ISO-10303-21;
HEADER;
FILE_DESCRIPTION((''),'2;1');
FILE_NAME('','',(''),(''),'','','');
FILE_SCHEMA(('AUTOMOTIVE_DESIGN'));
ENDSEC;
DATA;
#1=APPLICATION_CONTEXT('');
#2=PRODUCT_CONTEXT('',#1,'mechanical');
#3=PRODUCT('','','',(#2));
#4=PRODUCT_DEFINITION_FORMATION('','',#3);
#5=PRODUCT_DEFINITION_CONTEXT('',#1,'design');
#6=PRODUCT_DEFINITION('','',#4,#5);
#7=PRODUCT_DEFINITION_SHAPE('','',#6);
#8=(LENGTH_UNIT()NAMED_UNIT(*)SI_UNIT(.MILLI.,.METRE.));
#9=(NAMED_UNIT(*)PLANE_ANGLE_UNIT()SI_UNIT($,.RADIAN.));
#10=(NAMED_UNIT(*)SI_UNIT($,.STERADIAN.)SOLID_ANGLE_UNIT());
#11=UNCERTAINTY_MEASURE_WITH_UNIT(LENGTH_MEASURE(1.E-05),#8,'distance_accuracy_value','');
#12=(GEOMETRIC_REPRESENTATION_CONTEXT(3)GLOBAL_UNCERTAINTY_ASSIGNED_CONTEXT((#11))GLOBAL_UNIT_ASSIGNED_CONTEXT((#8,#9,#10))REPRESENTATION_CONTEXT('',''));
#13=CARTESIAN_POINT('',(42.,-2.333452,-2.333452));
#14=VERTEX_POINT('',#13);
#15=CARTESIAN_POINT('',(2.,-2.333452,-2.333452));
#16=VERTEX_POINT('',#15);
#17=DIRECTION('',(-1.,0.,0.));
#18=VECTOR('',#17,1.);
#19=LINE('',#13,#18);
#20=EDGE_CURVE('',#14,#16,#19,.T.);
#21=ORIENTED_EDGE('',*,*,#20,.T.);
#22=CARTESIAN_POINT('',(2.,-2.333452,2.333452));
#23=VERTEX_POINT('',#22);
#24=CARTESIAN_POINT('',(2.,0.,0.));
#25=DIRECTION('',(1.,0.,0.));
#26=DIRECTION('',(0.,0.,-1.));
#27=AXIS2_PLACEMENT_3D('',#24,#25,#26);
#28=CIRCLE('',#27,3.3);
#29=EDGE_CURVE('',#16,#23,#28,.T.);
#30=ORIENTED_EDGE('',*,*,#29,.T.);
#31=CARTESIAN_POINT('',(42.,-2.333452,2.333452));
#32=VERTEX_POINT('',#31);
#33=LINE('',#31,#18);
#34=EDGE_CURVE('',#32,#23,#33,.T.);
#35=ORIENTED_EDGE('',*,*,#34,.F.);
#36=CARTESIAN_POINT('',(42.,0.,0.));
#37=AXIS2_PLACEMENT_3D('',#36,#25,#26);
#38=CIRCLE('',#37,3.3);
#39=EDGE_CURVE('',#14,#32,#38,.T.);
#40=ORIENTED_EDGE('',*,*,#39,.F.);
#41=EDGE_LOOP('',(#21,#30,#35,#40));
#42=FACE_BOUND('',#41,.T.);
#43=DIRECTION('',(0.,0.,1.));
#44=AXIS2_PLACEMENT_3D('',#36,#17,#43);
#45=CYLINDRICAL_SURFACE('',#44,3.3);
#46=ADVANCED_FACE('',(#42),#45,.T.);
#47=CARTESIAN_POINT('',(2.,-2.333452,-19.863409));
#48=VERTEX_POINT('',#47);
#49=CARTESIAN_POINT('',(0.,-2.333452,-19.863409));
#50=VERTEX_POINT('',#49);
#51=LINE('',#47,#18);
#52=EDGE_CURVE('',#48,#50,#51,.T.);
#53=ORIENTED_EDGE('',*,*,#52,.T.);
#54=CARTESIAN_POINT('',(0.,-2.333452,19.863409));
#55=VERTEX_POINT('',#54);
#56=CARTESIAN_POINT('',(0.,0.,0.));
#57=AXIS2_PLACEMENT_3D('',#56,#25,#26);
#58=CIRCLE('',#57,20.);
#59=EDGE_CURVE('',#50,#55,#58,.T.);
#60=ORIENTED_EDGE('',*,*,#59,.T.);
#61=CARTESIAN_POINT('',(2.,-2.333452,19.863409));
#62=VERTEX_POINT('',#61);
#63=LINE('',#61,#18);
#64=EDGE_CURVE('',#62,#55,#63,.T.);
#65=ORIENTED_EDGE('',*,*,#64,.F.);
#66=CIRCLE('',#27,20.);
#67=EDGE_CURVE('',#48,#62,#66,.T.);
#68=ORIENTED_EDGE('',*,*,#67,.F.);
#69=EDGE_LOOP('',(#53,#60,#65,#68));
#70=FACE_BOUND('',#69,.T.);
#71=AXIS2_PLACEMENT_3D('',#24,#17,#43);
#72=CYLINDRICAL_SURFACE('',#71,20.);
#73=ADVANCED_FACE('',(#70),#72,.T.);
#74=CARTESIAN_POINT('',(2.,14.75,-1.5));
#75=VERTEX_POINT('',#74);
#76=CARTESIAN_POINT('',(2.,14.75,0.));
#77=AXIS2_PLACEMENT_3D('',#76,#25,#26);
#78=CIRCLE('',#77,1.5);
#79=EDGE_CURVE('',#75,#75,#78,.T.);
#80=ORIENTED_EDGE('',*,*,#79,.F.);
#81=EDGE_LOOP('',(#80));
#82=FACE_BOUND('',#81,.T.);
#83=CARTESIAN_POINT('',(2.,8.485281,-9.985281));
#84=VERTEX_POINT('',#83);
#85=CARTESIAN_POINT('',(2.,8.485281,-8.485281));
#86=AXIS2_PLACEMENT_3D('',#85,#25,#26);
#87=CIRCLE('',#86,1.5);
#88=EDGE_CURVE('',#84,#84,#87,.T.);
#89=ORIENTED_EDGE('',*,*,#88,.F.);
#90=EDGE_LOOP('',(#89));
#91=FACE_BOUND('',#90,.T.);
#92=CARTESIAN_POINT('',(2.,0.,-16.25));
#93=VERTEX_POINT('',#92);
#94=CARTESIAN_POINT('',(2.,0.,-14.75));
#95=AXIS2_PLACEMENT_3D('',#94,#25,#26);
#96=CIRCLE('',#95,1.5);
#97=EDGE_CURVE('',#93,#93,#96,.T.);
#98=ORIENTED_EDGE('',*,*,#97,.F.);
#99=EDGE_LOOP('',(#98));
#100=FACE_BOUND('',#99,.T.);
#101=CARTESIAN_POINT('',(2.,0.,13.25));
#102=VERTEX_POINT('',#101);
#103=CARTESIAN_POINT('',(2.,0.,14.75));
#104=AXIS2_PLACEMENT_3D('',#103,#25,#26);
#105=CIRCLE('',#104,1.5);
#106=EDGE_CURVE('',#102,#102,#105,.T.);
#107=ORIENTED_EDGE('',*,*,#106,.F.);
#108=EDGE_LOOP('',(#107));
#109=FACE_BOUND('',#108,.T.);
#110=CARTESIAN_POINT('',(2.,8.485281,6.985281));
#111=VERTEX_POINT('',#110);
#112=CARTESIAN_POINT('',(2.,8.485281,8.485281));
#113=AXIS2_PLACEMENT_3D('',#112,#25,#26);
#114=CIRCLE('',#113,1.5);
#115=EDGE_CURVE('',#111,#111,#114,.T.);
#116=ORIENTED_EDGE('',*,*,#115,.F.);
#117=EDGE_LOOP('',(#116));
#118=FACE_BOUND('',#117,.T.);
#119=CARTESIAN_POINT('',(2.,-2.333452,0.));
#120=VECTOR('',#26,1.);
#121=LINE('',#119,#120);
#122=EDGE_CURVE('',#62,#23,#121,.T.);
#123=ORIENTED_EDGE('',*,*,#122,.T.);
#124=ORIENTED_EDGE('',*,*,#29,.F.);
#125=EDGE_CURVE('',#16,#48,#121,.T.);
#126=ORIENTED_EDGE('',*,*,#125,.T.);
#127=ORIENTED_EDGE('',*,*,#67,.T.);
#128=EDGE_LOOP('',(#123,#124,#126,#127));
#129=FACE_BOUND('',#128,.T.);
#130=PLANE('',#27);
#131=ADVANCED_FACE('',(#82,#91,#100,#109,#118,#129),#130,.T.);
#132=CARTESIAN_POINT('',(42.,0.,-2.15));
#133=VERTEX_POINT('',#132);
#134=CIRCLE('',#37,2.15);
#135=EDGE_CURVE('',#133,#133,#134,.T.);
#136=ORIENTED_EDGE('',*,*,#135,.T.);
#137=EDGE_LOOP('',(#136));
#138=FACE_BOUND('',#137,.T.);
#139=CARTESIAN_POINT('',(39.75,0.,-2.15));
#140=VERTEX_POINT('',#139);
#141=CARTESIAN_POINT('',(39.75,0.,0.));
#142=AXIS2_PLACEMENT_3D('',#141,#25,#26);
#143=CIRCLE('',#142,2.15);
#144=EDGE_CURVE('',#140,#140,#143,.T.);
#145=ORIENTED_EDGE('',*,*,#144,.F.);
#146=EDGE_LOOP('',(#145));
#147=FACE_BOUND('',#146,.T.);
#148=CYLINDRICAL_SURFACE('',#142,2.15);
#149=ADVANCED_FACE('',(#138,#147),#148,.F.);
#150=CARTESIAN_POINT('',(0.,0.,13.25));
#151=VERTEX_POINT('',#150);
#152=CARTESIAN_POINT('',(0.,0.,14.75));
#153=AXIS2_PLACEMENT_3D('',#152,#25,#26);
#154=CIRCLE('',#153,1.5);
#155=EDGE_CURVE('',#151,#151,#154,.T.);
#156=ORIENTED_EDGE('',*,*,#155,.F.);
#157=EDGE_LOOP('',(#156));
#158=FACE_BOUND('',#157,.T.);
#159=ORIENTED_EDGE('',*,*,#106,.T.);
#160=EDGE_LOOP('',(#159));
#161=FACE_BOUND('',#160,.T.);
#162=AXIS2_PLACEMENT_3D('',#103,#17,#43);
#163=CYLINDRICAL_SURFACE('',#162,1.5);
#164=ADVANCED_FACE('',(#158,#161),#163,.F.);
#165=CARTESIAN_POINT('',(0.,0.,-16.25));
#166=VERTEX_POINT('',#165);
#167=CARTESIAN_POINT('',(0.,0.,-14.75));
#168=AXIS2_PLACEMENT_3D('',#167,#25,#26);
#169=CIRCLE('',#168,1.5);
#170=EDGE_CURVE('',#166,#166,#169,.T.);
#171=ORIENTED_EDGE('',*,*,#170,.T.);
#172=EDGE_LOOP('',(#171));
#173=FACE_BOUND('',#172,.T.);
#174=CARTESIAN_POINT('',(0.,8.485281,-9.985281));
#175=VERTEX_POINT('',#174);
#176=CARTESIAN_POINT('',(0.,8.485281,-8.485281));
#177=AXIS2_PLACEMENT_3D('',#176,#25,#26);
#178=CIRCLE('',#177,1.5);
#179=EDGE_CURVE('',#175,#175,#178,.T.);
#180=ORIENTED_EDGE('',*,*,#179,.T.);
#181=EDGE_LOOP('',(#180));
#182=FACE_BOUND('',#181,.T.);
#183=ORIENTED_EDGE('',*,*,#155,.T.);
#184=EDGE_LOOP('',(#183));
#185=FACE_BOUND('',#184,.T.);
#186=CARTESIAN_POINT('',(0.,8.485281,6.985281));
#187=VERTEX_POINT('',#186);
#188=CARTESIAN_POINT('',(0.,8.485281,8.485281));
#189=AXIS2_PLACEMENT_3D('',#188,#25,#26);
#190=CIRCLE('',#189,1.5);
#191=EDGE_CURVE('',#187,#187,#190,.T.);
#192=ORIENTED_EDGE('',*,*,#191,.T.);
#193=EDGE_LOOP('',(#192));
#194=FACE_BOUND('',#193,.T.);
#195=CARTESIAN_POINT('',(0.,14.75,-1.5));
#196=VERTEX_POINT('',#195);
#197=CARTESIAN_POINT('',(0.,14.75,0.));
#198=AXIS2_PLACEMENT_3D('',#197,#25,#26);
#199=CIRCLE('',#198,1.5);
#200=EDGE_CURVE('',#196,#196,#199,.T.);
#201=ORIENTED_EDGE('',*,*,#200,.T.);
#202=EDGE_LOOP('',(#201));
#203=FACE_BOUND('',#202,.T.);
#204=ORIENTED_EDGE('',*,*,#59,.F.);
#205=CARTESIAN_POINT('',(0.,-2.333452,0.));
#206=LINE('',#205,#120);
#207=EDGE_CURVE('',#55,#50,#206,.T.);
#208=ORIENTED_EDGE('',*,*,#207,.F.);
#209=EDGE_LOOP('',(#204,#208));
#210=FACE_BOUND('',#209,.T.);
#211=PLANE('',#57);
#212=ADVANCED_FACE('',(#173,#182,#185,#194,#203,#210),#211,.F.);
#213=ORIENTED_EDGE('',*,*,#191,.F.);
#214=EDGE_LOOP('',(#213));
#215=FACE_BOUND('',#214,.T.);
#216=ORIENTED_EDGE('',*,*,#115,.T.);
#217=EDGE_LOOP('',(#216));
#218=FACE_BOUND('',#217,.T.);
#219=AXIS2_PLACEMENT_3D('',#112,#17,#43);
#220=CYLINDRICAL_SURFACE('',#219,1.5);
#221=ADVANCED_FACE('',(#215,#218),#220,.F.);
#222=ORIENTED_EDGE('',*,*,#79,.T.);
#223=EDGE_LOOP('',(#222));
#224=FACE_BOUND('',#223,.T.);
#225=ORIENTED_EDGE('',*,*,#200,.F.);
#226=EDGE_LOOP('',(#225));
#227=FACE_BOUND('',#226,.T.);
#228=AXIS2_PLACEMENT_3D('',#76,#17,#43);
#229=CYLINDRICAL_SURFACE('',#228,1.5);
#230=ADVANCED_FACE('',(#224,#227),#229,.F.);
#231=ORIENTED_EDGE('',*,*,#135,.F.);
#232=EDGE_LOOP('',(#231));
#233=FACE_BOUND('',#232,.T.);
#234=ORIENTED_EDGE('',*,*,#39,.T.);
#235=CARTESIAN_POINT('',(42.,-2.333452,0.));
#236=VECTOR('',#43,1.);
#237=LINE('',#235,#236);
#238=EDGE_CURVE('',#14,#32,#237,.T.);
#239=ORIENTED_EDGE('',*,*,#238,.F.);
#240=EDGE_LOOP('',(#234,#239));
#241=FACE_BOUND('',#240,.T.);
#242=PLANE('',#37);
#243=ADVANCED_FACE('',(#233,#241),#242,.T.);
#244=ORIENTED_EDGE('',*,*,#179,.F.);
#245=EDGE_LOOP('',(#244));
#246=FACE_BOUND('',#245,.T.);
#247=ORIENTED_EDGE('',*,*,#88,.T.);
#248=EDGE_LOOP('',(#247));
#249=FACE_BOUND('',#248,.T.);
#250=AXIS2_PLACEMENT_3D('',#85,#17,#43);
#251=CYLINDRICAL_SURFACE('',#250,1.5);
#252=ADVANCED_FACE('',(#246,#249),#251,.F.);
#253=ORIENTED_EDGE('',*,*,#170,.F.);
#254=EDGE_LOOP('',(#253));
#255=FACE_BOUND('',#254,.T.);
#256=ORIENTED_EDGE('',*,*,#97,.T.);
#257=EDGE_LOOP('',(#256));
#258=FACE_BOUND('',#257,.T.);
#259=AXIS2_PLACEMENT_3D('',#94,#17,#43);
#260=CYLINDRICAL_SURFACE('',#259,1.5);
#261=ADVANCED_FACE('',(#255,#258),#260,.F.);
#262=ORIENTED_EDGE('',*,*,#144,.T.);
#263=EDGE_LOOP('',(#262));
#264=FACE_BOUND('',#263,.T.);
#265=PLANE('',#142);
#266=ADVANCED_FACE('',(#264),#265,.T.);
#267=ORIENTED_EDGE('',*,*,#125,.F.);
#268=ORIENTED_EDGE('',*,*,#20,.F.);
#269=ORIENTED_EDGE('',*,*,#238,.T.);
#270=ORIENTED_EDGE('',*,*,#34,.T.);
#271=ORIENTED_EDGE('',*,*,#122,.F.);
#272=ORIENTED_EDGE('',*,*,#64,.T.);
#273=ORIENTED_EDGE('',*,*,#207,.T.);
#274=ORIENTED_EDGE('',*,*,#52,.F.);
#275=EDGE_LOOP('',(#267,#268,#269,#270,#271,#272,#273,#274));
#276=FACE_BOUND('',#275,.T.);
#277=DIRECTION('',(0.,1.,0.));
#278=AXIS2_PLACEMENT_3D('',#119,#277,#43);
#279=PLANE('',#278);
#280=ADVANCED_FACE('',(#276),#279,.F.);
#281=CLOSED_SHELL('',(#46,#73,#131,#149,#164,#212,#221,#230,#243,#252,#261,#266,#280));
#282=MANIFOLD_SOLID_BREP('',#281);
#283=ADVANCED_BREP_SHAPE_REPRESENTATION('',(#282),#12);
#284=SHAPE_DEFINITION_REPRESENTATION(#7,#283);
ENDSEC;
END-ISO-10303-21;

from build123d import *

# Parameters (mm, degrees)
SKETCH1_R           = 1.5
BOSS_EXTRUDE1_DEPTH = 2
BOSS_EXTRUDE2_START = 2
SKETCH1_3_W         = 4.666904756
SKETCH1_3_H         = 4.666904756
BOSS_EXTRUDE2_DEPTH = 40
SKETCH3_R           = 2.15
CUT_EXTRUDE1_DEPTH  = 2.25


with BuildPart() as part:
    # Sketch1 → Boss-Extrude1 (new body)
    with BuildSketch(Plane(origin=(0, 0, 0), x_dir=(0, 0, -1), z_dir=(1, 0, 0))):
        with BuildLine():
            Line((-19.86340857, -2.333452378), (19.86340857, -2.333452378))
            ThreePointArc((19.86340857, -2.333452378), (0, 20), (-19.86340857, -2.333452378))
        make_face()
        with Locations((-14.75, 0)):
            Circle(SKETCH1_R, mode=Mode.SUBTRACT)
        with Locations((14.75, 0)):
            Circle(SKETCH1_R, mode=Mode.SUBTRACT)
        with Locations((-8.485281374, 8.485281374)):
            Circle(SKETCH1_R, mode=Mode.SUBTRACT)
        with Locations((8.485281374, 8.485281374)):
            Circle(SKETCH1_R, mode=Mode.SUBTRACT)
        with Locations((0, 14.75)):
            Circle(SKETCH1_R, mode=Mode.SUBTRACT)
    extrude(amount=BOSS_EXTRUDE1_DEPTH)

    # Sketch1<3> → Boss-Extrude2 (add)
    with BuildSketch(Plane(origin=(0, 0, 0), x_dir=(0, 0, -1), z_dir=(1, 0, 0)).offset(BOSS_EXTRUDE2_START)):
        Rectangle(SKETCH1_3_W, SKETCH1_3_H)
        with BuildLine():
            Line((2.333452378, 2.333452378), (2.333452378, -2.333452378))
            ThreePointArc((2.333452378, -2.333452378), (3.048802457, -1.262855327), (3.3, 0))
            ThreePointArc((3.3, 0), (3.048802457, 1.262855327), (2.333452378, 2.333452378))
        make_face()
        with BuildLine():
            ThreePointArc((2.333452378, 2.333452378), (0, 3.3), (-2.333452378, 2.333452378))
            Line((-2.333452378, 2.333452378), (2.333452378, 2.333452378))
        make_face()
        with BuildLine():
            ThreePointArc((-2.333452378, 2.333452378), (-3.3, 0), (-2.333452378, -2.333452378))
            Line((-2.333452378, -2.333452378), (-2.333452378, 2.333452378))
        make_face()
    extrude(amount=BOSS_EXTRUDE2_DEPTH)

    # Sketch3 → Cut-Extrude1 (cut)
    with BuildSketch(Plane(origin=(42, 0, 0), x_dir=(0, 0, -1), z_dir=(1, 0, 0))):
        Circle(SKETCH3_R)
    extrude(amount=-CUT_EXTRUDE1_DEPTH, mode=Mode.SUBTRACT)


solid = part.part
